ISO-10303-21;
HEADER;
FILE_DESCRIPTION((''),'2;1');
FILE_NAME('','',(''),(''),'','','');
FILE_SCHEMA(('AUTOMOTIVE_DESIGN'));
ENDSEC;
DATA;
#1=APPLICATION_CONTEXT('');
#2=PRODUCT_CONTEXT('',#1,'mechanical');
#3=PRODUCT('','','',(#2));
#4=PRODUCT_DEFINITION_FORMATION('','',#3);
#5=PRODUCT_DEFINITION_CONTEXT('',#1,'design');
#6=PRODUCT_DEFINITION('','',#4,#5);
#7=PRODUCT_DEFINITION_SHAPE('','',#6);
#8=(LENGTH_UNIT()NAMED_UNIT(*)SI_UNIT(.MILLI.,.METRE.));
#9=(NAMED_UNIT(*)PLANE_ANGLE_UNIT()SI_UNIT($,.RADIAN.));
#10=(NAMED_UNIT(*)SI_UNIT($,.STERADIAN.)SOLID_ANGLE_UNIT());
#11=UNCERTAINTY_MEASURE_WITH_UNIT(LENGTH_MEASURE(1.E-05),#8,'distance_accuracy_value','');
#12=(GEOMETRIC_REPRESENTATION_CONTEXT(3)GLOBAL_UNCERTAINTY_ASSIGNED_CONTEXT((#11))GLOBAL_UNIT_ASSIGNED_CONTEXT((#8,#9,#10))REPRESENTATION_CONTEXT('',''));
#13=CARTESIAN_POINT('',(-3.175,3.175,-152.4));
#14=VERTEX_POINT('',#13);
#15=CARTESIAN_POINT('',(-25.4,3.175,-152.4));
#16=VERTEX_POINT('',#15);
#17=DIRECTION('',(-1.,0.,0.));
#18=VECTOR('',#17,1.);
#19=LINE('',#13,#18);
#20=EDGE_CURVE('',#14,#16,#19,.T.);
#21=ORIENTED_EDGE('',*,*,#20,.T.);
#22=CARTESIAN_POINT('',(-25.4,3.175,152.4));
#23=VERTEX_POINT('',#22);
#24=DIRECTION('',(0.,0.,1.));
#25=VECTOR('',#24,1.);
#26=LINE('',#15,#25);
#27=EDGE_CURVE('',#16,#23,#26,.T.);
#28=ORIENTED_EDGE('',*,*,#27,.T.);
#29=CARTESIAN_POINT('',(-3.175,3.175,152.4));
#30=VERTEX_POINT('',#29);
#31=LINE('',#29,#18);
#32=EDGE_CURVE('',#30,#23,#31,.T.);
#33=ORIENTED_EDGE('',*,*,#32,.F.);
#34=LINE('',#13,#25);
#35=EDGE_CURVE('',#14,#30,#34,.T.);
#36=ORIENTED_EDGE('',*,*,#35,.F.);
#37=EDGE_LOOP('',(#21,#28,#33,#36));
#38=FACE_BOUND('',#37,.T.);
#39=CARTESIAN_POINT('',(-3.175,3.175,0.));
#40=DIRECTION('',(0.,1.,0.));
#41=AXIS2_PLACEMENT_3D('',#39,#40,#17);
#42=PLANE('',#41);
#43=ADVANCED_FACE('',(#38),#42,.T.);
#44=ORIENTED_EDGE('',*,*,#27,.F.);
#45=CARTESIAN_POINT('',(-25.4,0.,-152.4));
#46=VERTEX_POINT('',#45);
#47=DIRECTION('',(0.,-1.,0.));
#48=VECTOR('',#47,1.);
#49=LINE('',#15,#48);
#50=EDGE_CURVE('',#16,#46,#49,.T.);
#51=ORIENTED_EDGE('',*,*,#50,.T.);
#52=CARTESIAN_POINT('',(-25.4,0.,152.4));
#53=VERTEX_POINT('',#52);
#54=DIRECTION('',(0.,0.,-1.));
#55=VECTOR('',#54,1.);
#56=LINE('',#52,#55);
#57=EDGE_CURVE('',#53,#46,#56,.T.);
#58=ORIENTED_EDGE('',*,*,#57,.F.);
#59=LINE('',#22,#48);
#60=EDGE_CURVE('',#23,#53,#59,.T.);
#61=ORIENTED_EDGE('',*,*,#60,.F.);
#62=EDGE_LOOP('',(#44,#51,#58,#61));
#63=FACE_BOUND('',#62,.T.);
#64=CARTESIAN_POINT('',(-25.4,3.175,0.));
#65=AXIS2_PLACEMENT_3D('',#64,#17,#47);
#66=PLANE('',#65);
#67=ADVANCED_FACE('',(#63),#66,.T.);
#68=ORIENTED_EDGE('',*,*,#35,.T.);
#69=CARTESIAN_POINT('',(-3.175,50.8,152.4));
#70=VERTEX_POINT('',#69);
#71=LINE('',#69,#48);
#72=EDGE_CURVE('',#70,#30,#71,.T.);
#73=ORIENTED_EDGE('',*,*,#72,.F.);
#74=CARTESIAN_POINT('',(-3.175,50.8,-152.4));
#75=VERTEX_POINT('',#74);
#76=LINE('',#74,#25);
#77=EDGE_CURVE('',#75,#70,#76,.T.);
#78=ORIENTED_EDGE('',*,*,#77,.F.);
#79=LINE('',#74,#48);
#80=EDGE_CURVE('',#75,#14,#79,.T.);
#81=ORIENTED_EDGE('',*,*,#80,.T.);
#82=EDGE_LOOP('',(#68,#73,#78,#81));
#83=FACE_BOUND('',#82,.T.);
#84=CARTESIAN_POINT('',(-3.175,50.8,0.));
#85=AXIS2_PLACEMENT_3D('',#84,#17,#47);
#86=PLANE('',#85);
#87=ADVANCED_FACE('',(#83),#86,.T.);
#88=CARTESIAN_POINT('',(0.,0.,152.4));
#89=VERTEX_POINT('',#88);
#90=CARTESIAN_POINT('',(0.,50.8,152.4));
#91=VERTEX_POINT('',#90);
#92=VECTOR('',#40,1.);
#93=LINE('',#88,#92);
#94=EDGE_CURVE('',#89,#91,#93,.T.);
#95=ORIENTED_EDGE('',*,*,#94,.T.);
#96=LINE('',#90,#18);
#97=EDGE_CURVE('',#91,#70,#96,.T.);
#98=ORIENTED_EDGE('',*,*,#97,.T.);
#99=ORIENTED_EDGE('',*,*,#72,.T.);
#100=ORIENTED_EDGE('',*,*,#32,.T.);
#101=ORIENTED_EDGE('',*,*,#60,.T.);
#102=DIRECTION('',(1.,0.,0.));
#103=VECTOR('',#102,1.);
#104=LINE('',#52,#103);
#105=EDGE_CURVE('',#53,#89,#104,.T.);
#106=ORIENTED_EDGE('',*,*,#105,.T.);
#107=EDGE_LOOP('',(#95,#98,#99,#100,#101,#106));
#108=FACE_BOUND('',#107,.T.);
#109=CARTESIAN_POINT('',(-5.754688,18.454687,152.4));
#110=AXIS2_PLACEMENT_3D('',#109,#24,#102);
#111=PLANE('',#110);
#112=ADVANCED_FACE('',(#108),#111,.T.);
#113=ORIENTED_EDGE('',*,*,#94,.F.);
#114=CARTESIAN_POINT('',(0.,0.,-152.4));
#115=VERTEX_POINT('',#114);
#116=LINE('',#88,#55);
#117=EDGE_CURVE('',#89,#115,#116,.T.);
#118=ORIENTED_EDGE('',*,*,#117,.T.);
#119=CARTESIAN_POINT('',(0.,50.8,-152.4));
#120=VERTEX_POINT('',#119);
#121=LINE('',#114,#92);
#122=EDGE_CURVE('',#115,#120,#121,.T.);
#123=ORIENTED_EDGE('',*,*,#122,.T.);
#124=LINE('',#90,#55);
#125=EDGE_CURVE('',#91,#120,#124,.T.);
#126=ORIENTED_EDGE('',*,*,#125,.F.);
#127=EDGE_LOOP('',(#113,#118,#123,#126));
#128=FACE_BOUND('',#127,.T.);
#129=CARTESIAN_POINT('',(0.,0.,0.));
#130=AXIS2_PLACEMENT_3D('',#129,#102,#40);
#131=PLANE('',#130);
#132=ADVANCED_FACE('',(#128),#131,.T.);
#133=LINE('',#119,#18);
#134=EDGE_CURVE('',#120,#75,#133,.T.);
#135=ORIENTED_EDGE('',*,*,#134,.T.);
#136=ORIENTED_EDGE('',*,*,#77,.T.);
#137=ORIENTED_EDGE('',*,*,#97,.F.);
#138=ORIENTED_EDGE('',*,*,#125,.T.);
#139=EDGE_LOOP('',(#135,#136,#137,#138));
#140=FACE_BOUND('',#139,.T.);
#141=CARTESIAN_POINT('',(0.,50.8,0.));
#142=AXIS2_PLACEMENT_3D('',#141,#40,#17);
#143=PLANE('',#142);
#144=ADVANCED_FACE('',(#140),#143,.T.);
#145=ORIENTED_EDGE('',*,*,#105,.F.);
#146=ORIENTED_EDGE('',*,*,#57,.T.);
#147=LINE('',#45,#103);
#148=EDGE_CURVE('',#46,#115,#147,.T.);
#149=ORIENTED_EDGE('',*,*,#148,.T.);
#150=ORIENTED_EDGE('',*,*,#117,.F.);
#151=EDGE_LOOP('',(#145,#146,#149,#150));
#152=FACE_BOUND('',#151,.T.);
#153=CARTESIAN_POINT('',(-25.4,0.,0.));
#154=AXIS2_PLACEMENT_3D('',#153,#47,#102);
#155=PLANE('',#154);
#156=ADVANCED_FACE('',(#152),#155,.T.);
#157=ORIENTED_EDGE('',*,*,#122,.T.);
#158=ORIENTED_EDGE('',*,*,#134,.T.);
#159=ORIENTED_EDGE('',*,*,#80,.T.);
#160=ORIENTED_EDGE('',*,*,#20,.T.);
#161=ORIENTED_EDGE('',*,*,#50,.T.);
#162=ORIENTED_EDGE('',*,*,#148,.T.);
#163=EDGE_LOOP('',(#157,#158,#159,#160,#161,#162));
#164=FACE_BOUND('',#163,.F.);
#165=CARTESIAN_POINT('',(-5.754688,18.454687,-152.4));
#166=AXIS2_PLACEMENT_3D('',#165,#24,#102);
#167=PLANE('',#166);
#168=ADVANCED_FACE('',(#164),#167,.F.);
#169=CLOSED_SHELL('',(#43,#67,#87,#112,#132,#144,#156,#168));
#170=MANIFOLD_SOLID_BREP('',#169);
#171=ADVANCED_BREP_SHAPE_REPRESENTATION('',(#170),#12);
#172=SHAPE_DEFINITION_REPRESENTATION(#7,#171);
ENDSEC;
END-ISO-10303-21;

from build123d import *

# Parameters (mm, degrees)
F1_DEPTH      = 152.4
F1_DEPTH_BACK = 152.4


with BuildPart() as f1:
    # F0 (on Top) → F1 (new body, two sides)
    with BuildSketch(Plane.XY) as f1_sk:
        Polygon((0, 50.8), (-3.175, 50.8), (-3.175, 3.175), (-25.4, 3.175), (-25.4, 0), (0, 0), align=None)
    extrude(amount=F1_DEPTH)
    extrude(f1_sk.sketch, amount=-F1_DEPTH_BACK)


solid = f1.part
